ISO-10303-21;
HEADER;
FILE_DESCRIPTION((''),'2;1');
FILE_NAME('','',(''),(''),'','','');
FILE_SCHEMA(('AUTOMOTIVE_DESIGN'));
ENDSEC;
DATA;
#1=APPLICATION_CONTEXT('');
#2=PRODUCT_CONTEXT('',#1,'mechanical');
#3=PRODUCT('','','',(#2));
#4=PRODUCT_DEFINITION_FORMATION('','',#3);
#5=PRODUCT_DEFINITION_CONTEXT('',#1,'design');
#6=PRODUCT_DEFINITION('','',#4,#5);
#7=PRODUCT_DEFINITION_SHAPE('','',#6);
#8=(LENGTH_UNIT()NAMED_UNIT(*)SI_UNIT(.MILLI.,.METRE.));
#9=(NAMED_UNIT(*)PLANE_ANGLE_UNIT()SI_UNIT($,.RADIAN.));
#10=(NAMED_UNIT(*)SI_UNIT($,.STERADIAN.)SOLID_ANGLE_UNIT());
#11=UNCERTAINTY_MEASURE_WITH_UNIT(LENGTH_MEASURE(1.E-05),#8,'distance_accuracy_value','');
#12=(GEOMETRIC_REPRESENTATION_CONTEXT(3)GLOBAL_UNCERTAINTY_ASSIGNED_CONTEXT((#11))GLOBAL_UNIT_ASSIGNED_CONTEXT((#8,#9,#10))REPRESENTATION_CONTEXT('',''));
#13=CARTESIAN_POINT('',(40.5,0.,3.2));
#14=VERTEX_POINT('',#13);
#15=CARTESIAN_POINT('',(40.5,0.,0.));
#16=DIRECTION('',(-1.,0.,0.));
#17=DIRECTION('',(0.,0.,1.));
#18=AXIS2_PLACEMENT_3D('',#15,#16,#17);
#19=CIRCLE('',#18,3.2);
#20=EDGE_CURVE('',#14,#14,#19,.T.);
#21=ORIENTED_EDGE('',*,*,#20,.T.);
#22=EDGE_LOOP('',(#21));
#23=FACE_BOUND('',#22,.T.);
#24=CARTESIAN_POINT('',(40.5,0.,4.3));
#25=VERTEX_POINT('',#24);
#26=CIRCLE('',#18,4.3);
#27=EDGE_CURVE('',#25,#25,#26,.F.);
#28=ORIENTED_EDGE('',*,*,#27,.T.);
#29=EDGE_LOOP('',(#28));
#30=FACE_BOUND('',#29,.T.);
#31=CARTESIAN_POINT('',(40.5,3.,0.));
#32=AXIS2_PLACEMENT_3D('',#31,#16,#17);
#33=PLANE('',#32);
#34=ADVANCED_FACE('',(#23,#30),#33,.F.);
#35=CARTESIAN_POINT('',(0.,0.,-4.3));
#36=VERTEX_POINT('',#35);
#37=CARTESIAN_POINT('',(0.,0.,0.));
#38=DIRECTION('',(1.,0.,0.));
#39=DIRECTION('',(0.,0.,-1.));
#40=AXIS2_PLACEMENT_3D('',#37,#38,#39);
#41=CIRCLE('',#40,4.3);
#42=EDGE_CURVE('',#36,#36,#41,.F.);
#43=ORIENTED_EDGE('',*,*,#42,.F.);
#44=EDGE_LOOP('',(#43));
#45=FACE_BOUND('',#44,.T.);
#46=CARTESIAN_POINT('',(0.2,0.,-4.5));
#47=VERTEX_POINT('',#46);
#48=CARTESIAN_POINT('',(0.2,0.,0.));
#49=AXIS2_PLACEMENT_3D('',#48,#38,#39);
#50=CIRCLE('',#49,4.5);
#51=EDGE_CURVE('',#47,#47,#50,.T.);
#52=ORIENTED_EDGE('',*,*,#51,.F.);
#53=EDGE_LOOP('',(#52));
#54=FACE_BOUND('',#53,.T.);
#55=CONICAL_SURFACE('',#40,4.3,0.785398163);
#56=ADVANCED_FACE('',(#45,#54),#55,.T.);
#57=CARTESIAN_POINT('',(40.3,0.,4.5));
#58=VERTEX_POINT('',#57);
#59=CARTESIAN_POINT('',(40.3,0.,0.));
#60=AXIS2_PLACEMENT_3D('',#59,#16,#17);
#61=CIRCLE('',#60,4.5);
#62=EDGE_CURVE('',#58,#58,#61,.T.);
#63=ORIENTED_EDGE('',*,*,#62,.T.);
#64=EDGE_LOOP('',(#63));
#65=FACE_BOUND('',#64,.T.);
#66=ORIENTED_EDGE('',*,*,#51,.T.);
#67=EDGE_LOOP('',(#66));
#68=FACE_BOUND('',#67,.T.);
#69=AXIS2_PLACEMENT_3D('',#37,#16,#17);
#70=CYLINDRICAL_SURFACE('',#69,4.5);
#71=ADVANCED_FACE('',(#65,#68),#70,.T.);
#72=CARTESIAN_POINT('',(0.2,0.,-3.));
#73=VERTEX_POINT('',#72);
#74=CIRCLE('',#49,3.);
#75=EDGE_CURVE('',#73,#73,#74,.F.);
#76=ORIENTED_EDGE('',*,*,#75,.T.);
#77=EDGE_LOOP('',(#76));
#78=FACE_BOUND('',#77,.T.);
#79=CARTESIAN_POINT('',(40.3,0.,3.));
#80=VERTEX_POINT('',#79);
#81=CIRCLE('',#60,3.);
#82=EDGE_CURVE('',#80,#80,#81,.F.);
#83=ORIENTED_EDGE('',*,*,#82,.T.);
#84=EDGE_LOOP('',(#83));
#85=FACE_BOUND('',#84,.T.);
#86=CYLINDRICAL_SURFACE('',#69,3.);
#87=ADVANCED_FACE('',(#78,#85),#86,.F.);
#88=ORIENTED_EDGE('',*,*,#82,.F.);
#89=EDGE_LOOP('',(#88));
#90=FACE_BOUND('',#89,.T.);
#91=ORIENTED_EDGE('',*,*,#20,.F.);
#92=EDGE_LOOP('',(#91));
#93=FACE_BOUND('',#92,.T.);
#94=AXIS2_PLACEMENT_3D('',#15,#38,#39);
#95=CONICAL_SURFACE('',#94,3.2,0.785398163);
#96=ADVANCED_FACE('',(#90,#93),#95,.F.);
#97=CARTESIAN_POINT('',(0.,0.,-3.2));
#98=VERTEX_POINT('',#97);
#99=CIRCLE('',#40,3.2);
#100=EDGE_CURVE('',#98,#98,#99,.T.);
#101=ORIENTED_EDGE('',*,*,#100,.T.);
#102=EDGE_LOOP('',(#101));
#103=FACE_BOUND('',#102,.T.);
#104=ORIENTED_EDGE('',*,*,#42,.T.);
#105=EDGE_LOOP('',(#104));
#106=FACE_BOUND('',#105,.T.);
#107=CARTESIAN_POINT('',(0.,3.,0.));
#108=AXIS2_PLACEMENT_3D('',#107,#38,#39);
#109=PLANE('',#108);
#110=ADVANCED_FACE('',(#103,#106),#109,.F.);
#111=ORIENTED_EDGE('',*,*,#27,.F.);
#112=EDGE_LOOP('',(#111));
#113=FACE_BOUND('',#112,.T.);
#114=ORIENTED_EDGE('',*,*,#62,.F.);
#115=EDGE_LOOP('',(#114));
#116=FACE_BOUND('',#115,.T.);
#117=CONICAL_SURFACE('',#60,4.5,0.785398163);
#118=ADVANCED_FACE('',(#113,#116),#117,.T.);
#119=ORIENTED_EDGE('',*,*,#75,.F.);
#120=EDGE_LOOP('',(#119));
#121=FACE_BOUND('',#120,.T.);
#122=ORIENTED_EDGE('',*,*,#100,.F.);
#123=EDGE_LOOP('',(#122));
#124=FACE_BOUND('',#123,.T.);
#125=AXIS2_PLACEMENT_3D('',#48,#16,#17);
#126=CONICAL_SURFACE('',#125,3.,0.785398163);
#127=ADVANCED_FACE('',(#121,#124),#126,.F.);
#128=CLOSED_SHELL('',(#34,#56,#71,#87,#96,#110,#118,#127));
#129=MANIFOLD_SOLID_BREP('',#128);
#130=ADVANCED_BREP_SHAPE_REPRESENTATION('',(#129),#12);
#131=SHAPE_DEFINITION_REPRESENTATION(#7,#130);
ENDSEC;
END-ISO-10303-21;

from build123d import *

# Parameters (mm, degrees)
SKETCH1_W     = 40.5
SKETCH1_H     = 1.5
CHAMFER1_SIZE = 0.2


with BuildPart() as part:
    # Sketch1 → Revolve1 (revolve)
    with BuildSketch(Plane.XY):
        with Locations((20.25, 3.75)):
            Rectangle(SKETCH1_W, SKETCH1_H)
    revolve(axis=Axis((0, 0, 0), (1, 0, 0)))

    # Chamfer1
    chamfer1_edges = [part.edges().sort_by_distance(p)[0] for p in [
        (0, -3, 0),
        (0, -4.5, 0),
        (40.5, -3, 0),
        (40.5, -4.5, 0),
    ]]
    chamfer(chamfer1_edges, length=CHAMFER1_SIZE)


solid = part.part
